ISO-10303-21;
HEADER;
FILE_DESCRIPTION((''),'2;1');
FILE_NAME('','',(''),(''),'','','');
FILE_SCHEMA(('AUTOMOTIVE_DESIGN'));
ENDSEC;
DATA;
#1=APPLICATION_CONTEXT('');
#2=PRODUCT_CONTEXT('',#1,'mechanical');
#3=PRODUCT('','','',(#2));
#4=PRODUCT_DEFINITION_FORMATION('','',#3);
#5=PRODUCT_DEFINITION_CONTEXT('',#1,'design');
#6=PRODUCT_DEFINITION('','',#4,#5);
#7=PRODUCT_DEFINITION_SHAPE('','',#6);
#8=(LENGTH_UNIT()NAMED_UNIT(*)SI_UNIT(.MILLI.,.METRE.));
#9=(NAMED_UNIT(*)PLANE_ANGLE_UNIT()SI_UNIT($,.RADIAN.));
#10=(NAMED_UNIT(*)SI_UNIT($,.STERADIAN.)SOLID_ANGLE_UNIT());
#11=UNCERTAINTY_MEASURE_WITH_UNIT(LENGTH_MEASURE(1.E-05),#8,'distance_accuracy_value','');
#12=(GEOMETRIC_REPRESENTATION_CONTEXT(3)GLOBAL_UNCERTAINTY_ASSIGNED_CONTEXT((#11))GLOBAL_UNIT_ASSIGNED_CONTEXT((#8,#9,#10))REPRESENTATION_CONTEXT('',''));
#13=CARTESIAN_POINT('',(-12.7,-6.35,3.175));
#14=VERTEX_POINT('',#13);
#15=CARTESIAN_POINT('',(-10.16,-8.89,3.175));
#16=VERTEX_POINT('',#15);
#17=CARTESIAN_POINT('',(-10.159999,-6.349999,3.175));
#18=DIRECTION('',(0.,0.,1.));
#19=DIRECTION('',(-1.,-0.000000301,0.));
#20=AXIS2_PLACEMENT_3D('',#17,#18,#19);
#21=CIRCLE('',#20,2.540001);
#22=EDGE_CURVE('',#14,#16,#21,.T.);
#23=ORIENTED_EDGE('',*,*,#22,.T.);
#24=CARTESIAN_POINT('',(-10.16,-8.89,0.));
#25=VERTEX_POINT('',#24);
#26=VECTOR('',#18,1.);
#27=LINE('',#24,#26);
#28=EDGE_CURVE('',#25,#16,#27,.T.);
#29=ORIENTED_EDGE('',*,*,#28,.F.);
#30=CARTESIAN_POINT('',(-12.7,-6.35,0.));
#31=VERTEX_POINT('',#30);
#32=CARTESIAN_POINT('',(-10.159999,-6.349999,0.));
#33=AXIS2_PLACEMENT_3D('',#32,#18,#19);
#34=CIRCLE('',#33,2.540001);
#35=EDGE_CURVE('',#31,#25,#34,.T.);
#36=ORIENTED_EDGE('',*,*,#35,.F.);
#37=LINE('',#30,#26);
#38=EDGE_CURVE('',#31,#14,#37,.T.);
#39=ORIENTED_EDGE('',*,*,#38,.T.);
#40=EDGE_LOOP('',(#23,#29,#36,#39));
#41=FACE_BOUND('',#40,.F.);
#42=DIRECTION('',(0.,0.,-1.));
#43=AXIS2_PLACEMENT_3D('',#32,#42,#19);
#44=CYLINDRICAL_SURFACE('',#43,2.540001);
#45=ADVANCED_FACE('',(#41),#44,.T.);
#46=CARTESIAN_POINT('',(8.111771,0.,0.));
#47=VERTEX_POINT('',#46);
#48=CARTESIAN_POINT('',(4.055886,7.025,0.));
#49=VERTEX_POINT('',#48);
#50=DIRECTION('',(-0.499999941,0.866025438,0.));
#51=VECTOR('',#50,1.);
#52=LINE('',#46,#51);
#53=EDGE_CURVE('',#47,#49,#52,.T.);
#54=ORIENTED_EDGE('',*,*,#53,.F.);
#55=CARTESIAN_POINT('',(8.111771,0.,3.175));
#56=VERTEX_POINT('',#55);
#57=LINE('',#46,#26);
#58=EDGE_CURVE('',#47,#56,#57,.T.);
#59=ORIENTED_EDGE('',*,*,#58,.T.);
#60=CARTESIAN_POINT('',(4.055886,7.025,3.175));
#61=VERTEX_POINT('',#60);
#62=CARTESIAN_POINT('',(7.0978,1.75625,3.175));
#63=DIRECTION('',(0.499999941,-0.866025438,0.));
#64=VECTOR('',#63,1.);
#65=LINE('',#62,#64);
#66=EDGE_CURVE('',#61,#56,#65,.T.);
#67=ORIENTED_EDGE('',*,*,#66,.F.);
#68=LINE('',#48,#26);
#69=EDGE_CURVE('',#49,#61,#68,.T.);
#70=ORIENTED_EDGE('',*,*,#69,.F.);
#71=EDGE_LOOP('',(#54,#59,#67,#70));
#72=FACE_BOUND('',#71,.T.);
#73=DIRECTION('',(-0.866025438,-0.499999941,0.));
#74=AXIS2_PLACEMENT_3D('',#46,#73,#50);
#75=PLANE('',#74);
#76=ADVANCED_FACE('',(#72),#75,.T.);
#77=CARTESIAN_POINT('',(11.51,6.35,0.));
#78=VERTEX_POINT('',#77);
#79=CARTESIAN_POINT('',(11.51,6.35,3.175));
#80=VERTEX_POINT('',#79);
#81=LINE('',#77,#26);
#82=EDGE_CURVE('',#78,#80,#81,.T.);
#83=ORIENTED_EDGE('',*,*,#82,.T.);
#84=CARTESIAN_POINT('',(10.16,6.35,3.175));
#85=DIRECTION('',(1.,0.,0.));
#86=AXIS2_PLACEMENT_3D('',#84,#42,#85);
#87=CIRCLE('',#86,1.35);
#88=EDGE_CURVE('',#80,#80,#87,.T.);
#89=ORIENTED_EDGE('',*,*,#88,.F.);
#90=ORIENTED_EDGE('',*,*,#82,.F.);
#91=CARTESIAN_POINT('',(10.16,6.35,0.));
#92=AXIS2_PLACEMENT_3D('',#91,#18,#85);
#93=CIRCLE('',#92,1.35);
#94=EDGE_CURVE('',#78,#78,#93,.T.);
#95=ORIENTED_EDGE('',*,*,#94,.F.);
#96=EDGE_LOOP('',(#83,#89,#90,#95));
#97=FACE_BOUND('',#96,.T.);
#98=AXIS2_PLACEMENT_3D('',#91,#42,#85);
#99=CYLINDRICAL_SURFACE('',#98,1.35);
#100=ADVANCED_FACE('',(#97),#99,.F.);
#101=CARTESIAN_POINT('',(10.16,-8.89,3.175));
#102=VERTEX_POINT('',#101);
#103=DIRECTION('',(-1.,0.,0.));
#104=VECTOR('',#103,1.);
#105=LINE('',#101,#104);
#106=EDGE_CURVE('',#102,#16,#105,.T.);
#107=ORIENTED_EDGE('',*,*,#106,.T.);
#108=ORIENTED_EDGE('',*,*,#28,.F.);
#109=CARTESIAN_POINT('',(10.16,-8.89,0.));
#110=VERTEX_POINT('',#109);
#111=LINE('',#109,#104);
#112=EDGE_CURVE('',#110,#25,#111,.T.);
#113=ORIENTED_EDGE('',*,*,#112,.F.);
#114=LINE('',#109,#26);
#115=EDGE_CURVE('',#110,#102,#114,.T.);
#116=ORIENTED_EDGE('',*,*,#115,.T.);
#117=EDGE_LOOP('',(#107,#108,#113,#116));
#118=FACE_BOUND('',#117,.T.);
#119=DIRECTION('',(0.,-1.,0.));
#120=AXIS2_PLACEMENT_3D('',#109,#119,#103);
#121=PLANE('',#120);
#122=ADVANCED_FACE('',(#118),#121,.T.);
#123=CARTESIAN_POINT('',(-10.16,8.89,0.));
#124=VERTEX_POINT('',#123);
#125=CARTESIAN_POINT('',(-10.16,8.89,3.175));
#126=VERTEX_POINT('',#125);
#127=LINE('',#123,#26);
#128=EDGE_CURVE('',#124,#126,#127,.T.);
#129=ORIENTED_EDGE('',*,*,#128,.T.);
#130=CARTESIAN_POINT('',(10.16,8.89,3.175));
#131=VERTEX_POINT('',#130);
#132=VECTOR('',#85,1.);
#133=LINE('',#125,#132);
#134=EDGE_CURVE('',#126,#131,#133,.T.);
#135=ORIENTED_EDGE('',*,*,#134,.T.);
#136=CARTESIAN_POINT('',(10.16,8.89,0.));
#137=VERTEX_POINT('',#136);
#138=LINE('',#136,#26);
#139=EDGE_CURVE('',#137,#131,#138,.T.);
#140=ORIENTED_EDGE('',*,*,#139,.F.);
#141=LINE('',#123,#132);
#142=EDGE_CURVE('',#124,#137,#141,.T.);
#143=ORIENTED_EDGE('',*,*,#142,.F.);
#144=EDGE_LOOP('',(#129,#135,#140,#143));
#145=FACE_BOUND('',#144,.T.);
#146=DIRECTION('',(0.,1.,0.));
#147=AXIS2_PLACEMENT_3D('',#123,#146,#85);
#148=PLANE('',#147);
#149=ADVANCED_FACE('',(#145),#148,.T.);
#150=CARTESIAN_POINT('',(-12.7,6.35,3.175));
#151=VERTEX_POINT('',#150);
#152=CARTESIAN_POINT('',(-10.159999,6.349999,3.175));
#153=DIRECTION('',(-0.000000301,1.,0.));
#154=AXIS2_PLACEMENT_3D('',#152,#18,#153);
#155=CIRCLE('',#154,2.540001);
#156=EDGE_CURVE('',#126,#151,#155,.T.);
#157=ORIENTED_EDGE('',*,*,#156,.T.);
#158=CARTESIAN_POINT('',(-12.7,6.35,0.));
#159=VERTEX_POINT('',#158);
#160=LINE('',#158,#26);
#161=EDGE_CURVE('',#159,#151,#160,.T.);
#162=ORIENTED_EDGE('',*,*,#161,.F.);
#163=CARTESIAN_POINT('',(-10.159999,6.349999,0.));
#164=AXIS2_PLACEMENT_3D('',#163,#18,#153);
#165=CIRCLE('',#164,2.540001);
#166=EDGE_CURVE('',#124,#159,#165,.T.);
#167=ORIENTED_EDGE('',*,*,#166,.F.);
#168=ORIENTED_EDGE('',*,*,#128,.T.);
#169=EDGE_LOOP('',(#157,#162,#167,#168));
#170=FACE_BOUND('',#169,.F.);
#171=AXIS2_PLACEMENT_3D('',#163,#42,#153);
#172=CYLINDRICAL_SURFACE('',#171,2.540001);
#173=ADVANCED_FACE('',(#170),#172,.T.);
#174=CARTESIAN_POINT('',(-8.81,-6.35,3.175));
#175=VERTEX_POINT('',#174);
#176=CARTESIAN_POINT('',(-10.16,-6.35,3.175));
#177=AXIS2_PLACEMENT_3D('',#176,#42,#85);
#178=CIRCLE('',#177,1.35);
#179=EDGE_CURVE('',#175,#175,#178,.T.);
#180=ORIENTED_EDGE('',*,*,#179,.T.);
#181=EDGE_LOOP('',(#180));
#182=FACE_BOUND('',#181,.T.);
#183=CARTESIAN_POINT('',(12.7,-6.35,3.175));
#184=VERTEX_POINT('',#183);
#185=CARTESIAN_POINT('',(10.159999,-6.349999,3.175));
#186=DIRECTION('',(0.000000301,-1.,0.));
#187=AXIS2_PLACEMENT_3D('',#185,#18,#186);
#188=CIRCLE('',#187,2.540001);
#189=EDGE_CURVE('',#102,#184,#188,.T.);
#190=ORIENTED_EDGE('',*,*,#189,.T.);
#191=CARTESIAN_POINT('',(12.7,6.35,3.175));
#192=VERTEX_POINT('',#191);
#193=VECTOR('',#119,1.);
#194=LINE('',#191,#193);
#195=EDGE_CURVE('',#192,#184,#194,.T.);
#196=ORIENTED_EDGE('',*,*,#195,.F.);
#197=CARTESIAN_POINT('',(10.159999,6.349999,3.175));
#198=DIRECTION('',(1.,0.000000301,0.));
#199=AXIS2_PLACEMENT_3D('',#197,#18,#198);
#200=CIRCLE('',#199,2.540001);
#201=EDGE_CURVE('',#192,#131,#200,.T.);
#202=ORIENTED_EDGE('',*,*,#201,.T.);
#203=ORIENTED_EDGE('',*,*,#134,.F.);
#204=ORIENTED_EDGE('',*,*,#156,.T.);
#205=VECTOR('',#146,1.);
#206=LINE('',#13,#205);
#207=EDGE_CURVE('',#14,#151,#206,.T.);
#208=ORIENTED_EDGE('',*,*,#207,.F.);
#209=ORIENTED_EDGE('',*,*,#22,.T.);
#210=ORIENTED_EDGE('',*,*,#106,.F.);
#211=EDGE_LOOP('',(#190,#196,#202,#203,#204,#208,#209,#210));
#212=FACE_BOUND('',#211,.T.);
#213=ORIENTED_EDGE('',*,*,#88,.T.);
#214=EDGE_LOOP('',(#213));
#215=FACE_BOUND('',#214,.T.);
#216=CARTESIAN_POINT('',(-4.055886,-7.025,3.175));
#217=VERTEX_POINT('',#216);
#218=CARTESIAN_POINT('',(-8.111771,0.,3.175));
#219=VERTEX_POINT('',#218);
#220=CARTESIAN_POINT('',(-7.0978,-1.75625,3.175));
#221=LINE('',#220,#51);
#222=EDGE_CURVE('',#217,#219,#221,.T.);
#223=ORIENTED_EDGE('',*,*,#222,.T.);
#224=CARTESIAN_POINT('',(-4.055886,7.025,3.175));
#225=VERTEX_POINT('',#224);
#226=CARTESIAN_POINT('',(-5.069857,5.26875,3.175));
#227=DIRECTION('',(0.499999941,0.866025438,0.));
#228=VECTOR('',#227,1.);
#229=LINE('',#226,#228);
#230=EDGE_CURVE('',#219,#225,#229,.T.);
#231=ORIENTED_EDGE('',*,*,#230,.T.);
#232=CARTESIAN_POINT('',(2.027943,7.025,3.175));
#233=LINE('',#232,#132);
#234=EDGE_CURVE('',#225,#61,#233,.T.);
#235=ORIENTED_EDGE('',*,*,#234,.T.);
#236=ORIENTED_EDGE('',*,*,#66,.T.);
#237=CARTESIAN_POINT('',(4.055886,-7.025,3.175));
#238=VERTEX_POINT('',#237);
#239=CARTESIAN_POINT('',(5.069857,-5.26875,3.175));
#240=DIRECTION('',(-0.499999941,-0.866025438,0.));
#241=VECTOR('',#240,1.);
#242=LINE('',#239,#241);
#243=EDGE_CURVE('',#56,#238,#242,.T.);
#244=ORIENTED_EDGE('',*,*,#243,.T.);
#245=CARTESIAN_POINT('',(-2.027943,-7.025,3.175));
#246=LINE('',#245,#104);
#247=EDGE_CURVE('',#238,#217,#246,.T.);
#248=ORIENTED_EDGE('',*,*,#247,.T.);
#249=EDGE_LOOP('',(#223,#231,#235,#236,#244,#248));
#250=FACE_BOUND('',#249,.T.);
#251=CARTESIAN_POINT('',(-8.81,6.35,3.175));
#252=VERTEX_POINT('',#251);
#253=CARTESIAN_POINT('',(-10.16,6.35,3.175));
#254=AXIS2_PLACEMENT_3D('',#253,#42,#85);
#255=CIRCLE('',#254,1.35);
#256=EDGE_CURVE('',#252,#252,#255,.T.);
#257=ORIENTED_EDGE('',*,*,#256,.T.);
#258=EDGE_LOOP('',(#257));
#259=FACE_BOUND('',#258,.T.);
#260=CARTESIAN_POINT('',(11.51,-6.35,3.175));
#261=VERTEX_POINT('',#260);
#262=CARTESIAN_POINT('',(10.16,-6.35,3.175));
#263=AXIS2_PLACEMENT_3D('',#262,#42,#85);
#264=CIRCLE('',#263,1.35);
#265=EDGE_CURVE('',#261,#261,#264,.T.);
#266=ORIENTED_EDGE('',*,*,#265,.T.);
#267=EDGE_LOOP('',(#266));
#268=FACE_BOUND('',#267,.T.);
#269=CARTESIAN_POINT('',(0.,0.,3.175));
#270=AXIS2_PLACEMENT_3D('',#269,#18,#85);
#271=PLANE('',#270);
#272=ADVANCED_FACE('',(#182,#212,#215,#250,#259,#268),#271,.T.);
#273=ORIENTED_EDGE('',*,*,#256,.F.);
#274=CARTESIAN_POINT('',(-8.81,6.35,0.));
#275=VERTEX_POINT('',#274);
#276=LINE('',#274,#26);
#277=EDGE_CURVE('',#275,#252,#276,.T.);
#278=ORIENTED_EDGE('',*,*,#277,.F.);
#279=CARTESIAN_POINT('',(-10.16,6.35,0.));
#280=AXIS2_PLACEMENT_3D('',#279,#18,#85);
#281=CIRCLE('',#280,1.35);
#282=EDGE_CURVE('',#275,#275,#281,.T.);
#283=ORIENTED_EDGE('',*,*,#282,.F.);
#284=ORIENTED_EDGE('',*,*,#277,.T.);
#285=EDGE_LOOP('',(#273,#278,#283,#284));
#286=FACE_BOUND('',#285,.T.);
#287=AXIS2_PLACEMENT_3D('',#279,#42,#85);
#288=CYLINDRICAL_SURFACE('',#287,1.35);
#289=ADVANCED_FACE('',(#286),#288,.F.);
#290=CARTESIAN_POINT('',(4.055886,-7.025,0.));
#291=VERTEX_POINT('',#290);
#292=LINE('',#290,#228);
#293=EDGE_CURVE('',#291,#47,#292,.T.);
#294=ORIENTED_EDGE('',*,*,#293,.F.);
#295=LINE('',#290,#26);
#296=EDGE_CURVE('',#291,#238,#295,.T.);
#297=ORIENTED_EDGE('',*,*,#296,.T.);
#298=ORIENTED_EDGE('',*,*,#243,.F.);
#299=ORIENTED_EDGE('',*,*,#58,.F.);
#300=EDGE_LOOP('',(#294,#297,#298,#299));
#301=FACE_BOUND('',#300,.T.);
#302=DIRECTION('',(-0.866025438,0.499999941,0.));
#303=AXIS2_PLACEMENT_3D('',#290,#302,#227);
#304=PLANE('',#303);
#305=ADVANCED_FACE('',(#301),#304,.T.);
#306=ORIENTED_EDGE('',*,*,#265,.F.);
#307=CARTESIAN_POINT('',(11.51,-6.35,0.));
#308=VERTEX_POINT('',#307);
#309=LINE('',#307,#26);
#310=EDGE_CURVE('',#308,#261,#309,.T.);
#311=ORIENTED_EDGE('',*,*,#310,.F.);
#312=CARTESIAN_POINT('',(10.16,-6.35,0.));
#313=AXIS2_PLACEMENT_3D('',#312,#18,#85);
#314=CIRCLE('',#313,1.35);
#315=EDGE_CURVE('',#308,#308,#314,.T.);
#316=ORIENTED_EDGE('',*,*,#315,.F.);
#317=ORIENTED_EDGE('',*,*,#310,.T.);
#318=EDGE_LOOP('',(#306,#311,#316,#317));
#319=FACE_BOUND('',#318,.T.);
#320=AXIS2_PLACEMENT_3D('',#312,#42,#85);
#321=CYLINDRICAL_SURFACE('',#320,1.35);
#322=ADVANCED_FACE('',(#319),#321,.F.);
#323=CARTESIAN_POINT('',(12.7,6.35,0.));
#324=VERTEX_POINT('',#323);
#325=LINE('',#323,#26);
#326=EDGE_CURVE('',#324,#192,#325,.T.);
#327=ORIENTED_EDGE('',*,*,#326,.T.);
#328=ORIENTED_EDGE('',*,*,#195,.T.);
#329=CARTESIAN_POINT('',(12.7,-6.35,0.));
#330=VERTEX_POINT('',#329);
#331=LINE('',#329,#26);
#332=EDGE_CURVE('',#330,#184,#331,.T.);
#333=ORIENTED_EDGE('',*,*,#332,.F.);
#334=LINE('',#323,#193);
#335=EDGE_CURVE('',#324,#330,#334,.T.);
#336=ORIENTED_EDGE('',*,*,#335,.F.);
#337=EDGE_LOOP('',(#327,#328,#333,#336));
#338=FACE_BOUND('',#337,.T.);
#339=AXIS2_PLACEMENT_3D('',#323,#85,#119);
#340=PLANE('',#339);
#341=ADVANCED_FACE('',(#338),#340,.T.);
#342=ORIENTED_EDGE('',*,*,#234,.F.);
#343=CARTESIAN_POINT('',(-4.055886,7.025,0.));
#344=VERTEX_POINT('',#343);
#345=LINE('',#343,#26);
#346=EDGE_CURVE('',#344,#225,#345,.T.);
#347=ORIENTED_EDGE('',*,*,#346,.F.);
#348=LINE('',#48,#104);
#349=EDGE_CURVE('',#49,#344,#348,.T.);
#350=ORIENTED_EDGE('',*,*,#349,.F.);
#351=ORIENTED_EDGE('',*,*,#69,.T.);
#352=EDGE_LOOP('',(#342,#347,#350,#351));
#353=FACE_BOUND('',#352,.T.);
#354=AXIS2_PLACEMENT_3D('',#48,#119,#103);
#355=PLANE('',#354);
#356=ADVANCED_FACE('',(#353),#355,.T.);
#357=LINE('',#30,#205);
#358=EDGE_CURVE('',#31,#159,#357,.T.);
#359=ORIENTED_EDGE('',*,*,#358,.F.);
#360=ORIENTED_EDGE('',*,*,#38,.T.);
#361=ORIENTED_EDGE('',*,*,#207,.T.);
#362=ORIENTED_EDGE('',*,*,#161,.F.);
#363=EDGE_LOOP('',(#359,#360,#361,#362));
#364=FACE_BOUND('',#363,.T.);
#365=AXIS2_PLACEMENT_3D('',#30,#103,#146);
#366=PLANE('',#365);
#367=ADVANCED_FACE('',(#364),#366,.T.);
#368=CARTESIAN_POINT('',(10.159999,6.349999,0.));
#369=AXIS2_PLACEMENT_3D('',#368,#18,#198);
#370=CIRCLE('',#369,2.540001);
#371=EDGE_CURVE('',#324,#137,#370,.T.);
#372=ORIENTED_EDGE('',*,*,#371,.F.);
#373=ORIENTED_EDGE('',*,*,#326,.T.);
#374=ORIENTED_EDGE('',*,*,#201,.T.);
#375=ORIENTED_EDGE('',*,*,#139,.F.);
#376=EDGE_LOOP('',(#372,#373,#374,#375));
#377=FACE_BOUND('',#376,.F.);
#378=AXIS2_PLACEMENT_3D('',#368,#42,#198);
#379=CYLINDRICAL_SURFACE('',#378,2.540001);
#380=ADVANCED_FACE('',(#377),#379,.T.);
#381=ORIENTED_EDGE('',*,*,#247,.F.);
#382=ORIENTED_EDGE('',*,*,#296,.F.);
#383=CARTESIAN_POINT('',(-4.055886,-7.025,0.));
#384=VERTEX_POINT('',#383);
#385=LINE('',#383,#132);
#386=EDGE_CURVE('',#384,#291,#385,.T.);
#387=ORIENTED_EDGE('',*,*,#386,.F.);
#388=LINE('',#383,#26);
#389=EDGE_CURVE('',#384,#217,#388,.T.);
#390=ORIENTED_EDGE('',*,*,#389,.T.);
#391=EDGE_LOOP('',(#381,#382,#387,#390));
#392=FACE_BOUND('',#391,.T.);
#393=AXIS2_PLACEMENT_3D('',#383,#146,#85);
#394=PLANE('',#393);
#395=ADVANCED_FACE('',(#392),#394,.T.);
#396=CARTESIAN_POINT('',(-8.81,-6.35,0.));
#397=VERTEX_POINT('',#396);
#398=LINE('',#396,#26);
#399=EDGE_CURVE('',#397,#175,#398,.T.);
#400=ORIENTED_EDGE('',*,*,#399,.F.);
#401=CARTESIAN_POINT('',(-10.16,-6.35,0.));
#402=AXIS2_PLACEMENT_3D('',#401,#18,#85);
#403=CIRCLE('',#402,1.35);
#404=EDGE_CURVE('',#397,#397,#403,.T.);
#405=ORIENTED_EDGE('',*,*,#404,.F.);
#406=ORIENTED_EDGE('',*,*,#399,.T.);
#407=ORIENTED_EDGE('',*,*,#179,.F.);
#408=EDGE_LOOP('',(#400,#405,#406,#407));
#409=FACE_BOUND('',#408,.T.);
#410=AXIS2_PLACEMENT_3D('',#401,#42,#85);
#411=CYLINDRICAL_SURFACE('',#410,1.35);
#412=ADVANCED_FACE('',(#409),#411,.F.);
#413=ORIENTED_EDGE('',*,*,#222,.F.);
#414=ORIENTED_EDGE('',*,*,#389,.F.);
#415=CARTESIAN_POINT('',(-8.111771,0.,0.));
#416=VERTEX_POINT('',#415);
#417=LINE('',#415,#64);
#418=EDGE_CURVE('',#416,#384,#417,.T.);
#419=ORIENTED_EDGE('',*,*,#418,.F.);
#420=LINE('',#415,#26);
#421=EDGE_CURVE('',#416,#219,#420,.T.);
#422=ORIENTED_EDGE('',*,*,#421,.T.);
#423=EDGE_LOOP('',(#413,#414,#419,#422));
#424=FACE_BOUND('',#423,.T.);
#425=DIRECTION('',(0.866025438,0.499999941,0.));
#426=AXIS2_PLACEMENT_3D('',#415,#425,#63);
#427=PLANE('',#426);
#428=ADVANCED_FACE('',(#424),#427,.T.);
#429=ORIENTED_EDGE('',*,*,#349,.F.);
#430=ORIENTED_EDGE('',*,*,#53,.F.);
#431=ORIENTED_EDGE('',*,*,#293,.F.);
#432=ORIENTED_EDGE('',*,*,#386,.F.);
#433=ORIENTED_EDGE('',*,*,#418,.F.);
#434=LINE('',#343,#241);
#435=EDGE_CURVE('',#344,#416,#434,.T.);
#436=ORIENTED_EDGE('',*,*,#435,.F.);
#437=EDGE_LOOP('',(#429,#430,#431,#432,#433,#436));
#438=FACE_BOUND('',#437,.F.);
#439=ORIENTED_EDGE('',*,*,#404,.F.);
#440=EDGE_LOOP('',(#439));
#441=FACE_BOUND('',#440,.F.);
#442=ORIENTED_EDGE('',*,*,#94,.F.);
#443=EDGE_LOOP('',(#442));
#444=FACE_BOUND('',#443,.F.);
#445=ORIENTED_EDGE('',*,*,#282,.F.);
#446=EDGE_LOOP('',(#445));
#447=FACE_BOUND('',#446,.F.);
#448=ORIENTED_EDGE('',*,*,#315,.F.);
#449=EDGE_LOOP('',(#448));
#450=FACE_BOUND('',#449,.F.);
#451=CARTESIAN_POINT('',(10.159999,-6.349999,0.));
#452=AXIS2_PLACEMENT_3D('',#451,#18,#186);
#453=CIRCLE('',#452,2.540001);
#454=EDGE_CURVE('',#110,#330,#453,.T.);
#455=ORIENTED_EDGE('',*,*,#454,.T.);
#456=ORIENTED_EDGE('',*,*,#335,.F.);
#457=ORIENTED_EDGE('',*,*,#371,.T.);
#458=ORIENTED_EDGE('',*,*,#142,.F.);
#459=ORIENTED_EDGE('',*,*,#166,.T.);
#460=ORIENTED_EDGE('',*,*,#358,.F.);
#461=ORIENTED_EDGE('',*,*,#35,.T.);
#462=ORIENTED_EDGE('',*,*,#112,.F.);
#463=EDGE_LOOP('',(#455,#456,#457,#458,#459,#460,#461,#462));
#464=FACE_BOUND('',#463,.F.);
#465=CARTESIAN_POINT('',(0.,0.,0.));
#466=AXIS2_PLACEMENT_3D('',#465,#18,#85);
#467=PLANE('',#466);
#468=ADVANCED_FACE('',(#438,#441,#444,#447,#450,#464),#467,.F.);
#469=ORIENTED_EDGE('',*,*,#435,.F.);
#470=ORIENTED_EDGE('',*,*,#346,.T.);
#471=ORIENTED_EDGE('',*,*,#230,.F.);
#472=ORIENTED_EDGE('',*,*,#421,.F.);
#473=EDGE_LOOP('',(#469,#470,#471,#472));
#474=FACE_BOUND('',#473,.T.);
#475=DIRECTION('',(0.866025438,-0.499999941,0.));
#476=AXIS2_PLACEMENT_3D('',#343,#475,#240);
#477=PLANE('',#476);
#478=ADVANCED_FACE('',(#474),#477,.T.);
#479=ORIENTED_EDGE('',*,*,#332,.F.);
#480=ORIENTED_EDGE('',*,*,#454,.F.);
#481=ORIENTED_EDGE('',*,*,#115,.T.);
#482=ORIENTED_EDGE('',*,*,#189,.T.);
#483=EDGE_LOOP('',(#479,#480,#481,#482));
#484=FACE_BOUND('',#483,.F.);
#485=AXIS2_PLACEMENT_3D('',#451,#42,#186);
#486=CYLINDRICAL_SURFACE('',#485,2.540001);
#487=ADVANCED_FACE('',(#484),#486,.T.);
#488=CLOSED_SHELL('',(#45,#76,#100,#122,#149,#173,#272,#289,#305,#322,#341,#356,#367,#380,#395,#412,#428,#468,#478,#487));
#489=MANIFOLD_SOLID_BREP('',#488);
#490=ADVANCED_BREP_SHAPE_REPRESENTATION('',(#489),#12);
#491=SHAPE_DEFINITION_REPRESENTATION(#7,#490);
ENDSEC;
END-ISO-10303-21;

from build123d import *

# Parameters (mm, degrees)
PAD_DEPTH       = 3.175
SKETCH001_R     = 1.35
POCKET_DEPTH    = 3.176
POCKET001_DEPTH = 3.176


with BuildPart() as part:
    # Sketch → Pad (new body)
    with BuildSketch(Plane.XY):
        with BuildLine():
            ThreePointArc((-10.16, 8.89), (-11.956051, 8.146051), (-12.7, 6.35))
            Line((-12.7, -6.35), (-12.7, 6.35))
            ThreePointArc((-12.7, -6.35), (-11.956051, -8.146051), (-10.16, -8.89))
            Line((10.16, -8.89), (-10.16, -8.89))
            ThreePointArc((10.16, -8.89), (11.956051, -8.146051), (12.7, -6.35))
            Line((12.7, 6.35), (12.7, -6.35))
            ThreePointArc((12.7, 6.35), (11.956051, 8.146051), (10.16, 8.89))
            Line((-10.16, 8.89), (10.16, 8.89))
        make_face()
    extrude(amount=PAD_DEPTH)

    # Sketch001 → Pocket (cut, through all)
    with BuildSketch(Plane.XY):
        with Locations((-10.16, 6.35)):
            Circle(SKETCH001_R)
        with Locations((-10.16, -6.35)):
            Circle(SKETCH001_R)
        with Locations((10.16, 6.35)):
            Circle(SKETCH001_R)
        with Locations((10.16, -6.35)):
            Circle(SKETCH001_R)
    extrude(amount=POCKET_DEPTH, mode=Mode.SUBTRACT)

    # Sketch002 → Pocket001 (cut, through all)
    with BuildSketch(Plane.XY):
        Polygon((4.055886, -7.025), (8.111771, 0), (4.055886, 7.025), (-4.055886, 7.025), (-8.111771, 0), (-4.055886, -7.025), align=None)
    extrude(amount=POCKET001_DEPTH, mode=Mode.SUBTRACT)


solid = part.part
